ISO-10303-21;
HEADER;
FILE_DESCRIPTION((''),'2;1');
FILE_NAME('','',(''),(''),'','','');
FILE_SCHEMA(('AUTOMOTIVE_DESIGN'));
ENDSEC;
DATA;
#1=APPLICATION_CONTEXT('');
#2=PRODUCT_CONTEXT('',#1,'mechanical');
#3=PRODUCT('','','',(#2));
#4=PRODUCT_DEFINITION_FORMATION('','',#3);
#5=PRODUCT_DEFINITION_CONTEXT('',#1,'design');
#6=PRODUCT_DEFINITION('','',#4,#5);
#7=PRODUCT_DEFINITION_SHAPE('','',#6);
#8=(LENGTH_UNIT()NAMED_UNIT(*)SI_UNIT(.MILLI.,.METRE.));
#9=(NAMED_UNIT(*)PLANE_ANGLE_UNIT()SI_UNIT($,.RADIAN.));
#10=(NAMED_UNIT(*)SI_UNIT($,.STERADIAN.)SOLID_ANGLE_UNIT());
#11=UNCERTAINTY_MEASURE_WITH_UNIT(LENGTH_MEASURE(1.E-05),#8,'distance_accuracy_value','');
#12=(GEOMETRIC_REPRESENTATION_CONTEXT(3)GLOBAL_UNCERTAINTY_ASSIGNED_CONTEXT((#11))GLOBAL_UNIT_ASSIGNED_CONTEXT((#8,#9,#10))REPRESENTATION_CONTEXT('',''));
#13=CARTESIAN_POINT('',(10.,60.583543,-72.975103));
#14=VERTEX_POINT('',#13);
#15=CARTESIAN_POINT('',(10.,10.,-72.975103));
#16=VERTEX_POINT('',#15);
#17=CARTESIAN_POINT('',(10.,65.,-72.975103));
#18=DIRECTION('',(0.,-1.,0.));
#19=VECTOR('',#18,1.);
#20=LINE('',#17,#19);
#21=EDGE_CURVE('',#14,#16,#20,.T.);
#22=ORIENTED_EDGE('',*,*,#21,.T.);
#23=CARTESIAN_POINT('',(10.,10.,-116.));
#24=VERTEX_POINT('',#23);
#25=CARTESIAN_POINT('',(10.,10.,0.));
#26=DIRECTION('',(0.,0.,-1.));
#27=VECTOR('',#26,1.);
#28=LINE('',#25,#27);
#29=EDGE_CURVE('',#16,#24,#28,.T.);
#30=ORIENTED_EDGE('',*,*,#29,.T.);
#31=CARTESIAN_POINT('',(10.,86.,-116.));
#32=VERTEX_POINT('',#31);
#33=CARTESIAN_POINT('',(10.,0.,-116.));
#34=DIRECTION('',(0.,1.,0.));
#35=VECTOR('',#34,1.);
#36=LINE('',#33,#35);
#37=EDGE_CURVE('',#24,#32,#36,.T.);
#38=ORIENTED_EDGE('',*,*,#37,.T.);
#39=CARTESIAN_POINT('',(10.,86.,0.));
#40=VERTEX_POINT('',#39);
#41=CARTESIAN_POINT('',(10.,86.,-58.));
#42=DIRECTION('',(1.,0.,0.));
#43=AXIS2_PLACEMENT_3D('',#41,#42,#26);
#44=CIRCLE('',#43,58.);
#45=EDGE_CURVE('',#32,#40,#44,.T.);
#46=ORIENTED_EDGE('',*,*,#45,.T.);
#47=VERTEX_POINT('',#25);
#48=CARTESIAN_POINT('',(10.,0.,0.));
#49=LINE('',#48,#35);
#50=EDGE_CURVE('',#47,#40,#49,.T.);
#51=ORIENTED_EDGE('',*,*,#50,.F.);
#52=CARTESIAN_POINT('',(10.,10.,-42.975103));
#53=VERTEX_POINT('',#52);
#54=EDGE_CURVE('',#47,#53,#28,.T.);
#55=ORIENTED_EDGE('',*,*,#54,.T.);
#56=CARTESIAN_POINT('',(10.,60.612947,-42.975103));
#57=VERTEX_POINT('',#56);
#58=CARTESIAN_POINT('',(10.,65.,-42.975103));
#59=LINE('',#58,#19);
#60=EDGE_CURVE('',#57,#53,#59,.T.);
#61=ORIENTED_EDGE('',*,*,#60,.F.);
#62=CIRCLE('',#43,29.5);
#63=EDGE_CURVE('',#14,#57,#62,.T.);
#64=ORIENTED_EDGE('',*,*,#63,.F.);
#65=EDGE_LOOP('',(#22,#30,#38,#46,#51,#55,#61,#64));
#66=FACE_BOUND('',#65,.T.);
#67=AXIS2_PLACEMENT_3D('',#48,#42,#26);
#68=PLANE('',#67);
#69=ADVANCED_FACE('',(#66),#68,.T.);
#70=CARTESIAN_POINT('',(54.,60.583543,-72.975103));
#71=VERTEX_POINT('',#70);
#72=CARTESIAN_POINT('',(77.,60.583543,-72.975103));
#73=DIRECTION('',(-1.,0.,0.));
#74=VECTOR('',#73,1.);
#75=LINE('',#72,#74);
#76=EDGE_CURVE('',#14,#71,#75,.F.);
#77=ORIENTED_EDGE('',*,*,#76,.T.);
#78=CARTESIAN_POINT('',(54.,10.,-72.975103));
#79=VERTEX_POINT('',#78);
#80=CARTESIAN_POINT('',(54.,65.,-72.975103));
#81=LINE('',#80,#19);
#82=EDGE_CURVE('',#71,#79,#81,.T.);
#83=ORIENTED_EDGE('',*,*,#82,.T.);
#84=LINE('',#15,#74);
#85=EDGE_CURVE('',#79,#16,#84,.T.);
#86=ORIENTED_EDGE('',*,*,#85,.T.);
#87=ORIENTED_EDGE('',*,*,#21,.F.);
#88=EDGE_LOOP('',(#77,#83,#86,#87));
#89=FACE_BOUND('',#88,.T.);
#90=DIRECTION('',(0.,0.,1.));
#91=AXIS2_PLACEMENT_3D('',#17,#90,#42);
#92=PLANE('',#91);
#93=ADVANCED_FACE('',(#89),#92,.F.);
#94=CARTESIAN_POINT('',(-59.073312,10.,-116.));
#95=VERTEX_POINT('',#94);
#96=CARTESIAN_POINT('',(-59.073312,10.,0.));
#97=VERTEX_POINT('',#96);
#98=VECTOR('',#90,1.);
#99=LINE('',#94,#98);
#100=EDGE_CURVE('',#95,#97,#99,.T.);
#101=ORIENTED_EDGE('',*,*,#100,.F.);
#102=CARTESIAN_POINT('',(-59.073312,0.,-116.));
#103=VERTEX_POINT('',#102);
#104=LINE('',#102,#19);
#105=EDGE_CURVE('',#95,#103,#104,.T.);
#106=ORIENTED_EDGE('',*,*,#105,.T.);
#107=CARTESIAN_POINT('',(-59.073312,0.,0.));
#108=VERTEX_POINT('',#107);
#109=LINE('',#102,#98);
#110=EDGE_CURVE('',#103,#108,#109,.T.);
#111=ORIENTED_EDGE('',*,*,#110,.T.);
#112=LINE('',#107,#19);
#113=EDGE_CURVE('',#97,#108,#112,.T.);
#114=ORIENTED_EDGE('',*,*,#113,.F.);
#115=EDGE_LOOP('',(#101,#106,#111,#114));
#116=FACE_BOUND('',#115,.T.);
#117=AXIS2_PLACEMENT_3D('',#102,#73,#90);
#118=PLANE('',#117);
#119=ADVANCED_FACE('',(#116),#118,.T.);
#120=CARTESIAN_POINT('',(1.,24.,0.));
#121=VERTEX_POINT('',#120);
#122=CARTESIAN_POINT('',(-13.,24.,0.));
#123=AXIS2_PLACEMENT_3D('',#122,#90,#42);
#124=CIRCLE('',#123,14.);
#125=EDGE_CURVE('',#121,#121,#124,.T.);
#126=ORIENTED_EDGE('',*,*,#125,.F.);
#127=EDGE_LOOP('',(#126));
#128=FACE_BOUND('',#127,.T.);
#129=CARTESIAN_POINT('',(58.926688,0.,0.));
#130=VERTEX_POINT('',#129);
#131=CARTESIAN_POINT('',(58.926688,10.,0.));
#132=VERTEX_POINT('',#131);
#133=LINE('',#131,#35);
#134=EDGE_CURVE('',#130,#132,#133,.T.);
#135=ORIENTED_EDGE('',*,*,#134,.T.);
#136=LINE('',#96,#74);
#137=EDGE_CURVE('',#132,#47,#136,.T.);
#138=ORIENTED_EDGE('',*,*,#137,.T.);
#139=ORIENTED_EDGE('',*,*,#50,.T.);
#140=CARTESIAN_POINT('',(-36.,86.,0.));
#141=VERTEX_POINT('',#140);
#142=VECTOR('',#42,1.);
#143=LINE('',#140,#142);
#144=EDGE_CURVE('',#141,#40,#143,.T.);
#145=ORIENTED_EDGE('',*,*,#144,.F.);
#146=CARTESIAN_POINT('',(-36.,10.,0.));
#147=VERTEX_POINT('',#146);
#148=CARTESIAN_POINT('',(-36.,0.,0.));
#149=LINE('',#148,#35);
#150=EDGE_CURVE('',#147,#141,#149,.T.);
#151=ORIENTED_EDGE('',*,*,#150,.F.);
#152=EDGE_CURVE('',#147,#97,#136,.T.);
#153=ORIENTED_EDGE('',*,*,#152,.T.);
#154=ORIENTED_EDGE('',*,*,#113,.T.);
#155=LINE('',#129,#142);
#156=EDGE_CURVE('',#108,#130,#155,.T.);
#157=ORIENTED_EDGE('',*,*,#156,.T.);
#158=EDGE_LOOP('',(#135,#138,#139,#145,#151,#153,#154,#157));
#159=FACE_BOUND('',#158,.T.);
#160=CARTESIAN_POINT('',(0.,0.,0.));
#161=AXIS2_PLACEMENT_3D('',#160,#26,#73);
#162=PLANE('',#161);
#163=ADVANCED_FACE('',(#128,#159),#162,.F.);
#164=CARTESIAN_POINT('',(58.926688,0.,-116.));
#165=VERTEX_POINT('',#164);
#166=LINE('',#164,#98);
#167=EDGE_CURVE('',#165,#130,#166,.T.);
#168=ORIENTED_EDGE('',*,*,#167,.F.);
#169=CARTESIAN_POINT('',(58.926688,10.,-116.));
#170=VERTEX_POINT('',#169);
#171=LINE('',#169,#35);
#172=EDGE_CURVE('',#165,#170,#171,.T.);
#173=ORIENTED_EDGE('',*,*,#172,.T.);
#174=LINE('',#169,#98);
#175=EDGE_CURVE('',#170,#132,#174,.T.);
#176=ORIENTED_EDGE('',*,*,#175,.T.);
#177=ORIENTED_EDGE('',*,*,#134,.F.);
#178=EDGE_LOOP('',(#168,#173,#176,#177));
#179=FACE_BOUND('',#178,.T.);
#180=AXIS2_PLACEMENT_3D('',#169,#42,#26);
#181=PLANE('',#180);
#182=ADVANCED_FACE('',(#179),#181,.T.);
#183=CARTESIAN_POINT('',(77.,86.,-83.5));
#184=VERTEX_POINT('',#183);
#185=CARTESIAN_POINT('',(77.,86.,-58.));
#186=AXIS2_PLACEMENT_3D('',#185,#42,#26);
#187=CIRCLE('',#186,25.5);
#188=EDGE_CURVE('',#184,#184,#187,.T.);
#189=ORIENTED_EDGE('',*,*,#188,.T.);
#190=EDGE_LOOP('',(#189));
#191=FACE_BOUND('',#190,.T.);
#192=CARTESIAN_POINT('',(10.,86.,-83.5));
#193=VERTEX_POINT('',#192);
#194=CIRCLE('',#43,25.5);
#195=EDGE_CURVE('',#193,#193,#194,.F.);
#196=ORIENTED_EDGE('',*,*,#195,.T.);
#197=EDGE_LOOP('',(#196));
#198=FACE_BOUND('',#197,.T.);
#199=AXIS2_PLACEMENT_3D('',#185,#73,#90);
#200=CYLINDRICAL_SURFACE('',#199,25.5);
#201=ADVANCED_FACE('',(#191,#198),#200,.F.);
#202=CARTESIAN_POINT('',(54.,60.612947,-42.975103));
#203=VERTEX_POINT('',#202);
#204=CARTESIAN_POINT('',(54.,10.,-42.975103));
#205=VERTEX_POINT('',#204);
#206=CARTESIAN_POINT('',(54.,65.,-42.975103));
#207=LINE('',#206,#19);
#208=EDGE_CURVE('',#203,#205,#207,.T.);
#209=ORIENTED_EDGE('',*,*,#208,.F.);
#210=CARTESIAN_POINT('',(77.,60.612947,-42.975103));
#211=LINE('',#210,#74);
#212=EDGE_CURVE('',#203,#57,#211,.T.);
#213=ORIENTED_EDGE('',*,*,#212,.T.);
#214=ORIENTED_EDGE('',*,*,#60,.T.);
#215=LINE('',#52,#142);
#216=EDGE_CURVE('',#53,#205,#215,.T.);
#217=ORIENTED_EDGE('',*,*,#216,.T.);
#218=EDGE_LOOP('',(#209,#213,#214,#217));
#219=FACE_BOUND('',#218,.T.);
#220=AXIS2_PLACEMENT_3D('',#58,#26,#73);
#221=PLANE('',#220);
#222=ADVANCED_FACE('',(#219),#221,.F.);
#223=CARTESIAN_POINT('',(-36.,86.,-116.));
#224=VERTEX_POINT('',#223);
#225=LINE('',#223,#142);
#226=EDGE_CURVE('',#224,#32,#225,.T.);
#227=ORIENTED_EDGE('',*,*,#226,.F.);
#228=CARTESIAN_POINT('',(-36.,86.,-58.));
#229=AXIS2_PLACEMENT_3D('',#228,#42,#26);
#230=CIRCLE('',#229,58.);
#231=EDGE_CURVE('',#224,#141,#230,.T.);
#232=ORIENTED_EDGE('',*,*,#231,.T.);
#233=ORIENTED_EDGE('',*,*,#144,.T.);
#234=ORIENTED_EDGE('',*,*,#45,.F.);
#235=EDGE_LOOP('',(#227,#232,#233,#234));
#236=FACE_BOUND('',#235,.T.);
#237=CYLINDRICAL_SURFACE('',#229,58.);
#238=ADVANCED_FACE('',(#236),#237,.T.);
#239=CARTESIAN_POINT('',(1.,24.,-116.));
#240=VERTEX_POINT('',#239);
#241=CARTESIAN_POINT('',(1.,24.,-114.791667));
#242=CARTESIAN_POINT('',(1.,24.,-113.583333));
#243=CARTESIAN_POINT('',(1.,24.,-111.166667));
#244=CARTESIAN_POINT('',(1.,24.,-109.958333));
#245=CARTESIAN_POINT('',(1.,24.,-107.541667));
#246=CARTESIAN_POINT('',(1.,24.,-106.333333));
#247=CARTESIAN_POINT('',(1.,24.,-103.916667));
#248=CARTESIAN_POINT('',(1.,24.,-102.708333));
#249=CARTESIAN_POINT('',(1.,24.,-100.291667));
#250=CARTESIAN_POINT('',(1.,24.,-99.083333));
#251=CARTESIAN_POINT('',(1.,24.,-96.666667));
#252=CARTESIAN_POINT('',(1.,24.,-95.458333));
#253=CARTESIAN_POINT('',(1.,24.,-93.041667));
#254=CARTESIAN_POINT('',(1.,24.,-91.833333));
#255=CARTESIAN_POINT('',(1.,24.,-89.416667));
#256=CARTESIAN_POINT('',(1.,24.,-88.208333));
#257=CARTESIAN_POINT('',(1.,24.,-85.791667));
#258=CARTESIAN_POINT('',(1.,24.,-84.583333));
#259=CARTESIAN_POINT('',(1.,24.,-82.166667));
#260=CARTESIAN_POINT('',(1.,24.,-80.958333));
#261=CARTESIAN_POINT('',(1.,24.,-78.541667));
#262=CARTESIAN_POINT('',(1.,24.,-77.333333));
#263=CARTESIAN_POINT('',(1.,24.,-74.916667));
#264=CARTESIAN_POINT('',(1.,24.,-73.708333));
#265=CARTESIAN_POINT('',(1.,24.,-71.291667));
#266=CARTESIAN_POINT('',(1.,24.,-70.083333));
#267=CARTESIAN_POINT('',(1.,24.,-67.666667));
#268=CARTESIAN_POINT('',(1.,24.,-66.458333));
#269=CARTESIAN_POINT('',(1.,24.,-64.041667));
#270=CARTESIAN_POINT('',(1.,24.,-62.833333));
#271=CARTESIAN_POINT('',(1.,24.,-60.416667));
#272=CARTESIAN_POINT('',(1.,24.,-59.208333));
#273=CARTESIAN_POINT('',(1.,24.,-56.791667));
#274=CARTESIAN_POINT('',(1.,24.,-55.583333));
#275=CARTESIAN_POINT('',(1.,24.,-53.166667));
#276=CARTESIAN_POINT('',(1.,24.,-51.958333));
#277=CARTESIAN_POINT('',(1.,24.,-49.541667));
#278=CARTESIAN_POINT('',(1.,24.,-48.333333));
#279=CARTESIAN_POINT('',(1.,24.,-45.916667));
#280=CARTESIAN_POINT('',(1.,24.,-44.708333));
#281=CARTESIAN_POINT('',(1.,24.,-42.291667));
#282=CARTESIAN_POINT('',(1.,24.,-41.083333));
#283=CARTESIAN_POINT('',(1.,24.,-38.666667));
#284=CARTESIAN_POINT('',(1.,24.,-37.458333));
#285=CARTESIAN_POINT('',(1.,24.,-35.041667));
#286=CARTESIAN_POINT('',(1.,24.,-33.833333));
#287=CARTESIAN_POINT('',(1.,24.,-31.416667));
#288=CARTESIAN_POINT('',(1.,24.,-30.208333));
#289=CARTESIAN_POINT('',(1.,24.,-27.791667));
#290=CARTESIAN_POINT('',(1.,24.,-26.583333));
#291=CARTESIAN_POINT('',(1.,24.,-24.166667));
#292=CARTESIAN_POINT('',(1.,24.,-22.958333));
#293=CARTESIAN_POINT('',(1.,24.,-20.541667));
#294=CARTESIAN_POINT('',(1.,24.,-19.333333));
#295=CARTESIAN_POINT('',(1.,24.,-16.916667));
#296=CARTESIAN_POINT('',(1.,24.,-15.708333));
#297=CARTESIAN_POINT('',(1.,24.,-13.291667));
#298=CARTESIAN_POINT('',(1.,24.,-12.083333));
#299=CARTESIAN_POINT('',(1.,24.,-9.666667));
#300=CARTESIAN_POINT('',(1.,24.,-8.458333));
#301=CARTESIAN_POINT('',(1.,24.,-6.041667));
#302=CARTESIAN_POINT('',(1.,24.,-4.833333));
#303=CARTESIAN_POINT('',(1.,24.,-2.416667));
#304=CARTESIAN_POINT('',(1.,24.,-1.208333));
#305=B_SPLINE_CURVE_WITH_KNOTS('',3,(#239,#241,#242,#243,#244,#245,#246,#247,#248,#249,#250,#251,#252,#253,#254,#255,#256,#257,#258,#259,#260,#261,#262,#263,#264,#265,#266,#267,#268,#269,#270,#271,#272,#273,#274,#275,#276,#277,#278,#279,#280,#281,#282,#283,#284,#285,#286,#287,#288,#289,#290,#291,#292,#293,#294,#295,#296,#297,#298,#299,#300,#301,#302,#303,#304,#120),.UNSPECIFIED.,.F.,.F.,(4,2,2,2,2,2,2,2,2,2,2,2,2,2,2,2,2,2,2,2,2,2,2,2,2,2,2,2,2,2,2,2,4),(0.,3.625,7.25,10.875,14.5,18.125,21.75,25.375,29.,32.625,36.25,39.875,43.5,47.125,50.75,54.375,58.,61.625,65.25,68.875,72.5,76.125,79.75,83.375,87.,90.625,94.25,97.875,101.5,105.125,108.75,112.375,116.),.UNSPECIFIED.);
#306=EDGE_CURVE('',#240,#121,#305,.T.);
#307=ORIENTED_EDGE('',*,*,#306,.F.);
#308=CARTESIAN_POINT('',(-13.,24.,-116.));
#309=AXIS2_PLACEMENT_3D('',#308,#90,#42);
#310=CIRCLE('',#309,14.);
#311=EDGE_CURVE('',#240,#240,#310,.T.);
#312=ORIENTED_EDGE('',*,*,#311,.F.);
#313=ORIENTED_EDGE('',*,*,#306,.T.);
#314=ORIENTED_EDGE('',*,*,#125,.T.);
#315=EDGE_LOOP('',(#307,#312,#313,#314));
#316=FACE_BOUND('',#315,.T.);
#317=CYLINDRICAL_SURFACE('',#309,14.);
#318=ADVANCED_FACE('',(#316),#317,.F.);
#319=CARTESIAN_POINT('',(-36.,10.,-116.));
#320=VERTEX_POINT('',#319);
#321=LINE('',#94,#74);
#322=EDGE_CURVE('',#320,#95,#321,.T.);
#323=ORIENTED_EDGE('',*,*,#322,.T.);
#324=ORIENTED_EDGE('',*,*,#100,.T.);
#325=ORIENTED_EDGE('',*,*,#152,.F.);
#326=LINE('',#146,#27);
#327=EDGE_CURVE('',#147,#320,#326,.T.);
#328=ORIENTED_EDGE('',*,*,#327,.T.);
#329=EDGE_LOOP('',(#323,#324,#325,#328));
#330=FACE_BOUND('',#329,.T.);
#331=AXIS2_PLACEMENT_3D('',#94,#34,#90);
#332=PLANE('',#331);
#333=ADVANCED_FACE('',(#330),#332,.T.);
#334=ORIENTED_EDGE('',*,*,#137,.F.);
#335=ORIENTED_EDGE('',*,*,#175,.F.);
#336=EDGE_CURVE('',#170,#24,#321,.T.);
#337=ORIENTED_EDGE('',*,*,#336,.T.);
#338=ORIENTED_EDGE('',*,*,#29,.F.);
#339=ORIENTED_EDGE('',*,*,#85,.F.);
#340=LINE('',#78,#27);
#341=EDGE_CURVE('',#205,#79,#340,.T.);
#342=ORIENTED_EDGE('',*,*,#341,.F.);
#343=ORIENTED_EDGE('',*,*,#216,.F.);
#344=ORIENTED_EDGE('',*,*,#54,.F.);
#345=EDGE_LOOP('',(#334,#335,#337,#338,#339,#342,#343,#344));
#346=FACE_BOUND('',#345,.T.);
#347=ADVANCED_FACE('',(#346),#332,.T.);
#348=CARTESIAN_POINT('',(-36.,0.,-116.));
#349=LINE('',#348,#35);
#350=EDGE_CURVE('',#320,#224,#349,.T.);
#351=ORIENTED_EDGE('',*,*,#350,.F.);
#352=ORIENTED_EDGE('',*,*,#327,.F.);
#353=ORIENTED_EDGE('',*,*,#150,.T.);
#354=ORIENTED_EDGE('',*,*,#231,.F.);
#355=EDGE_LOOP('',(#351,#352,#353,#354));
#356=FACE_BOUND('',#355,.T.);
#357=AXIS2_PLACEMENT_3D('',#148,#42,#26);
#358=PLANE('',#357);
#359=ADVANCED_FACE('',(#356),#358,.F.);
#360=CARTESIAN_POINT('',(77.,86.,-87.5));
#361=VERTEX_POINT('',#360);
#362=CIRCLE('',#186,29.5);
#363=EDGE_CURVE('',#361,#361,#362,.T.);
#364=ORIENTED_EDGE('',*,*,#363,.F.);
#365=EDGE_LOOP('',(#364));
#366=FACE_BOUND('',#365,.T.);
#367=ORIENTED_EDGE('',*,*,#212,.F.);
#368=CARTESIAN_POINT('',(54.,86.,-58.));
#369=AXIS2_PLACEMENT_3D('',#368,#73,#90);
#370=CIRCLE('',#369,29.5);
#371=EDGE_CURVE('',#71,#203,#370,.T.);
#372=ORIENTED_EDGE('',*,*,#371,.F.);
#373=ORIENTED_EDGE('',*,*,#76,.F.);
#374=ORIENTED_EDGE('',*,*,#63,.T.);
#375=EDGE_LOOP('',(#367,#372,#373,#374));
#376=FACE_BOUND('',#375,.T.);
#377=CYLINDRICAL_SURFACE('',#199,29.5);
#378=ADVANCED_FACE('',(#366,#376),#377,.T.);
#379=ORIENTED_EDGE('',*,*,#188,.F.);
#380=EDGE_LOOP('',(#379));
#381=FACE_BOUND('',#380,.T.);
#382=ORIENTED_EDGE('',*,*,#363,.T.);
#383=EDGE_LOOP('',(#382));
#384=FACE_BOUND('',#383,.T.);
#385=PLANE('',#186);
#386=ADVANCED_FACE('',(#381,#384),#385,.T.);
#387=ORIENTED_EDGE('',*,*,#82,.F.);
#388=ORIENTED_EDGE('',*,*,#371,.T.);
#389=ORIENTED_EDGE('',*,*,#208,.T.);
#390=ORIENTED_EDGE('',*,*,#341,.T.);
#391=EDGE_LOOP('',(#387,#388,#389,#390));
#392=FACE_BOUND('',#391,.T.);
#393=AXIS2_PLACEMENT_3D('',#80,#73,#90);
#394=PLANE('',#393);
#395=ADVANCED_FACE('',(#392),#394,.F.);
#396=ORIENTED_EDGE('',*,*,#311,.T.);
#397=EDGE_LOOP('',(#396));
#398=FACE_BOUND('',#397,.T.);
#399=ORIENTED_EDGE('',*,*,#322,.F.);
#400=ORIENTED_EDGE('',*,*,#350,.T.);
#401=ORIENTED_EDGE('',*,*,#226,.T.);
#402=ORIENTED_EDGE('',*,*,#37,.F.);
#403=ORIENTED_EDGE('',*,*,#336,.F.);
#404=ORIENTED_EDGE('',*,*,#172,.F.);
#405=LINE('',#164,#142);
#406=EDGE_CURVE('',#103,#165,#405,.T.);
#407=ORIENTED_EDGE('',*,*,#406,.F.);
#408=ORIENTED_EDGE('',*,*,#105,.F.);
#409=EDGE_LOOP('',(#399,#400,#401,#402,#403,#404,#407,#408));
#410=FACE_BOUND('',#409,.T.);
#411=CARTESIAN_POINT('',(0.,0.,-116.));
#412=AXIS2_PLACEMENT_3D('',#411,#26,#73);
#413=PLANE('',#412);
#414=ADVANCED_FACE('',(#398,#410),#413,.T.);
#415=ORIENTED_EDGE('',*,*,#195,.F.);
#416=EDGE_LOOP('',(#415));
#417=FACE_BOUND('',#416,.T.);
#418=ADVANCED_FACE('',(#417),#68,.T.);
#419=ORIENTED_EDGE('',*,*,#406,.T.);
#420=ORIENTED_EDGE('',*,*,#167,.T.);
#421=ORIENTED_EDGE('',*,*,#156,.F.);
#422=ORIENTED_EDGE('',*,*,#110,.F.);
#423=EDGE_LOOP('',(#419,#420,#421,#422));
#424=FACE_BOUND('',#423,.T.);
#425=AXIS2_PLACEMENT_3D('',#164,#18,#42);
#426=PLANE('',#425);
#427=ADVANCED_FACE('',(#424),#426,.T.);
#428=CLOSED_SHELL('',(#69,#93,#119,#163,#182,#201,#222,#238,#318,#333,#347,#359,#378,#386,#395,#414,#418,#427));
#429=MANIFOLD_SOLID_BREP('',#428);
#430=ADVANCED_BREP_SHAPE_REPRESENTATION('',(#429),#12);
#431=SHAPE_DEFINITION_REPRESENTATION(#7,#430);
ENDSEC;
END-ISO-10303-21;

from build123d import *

# Parameters (mm, degrees)
SKETCH1_W           = 118
SKETCH1_H           = 10
BOSS_EXTRUDE1_DEPTH = 116
BOSS_EXTRUDE2_DEPTH = 46
SKETCH3_R           = 14
CUT_EXTRUDE1_DEPTH  = 195.117634996
SKETCH4_R           = 29.5
SKETCH4_R_2         = 25.5
BOSS_EXTRUDE3_DEPTH = 67
SKETCH6_W           = 44
SKETCH6_H           = 30
BOSS_EXTRUDE4_DEPTH = 55
CUT_EXTRUDE2_START  = -44
CUT_EXTRUDE2_DEPTH  = 44


with BuildPart() as part:
    # Sketch1 → Boss-Extrude1 (new body)
    with BuildSketch(Plane.XY):
        with Locations((-0.073312219, 5)):
            Rectangle(SKETCH1_W, SKETCH1_H)
    extrude(amount=-BOSS_EXTRUDE1_DEPTH)

    # Sketch2 → Boss-Extrude2 (add)
    with BuildSketch(Plane(origin=(10, 0, 0), x_dir=(0, 0, -1), z_dir=(1, 0, 0))):
        with BuildLine():
            Line((0, 86), (0, 10))
            Line((0, 10), (116, 10))
            Line((116, 10), (116, 86))
            ThreePointArc((116, 86), (58, 144), (0, 86))
        make_face()
    extrude(amount=-BOSS_EXTRUDE2_DEPTH)

    # Sketch3 → Cut-Extrude1 (cut, through all)
    with BuildSketch(Plane.XY):
        with Locations((-13, 24)):
            Circle(SKETCH3_R)
    extrude(amount=-CUT_EXTRUDE1_DEPTH, mode=Mode.SUBTRACT)

    # Sketch4 → Boss-Extrude3 (add)
    with BuildSketch(Plane(origin=(10, 0, 0), x_dir=(0, 0, -1), z_dir=(1, 0, 0))):
        with Locations((58, 86)):
            Circle(SKETCH4_R)
        with Locations((58, 86)):
            Circle(SKETCH4_R_2, mode=Mode.SUBTRACT)
    extrude(amount=BOSS_EXTRUDE3_DEPTH)

    # Sketch6 → Boss-Extrude4 (add)
    with BuildSketch(Plane(origin=(0, 10, 0), x_dir=(1, 0, 0), z_dir=(0, 1, 0))):
        with Locations((32, 57.975103421)):
            Rectangle(SKETCH6_W, SKETCH6_H)
    extrude(amount=BOSS_EXTRUDE4_DEPTH)

    # Sketch7 → Cut-Extrude2 (cut)
    with BuildSketch(Plane(origin=(54, 0, 0), x_dir=(0, 0, -1), z_dir=(1, 0, 0)).offset(CUT_EXTRUDE2_START)):
        with BuildLine():
            Line((43.534523859, 65), (72.465476141, 65))
            ThreePointArc((72.465476141, 65), (58, 60.5), (43.534523859, 65))
        make_face()
    extrude(amount=CUT_EXTRUDE2_DEPTH, mode=Mode.SUBTRACT)


solid = part.part
